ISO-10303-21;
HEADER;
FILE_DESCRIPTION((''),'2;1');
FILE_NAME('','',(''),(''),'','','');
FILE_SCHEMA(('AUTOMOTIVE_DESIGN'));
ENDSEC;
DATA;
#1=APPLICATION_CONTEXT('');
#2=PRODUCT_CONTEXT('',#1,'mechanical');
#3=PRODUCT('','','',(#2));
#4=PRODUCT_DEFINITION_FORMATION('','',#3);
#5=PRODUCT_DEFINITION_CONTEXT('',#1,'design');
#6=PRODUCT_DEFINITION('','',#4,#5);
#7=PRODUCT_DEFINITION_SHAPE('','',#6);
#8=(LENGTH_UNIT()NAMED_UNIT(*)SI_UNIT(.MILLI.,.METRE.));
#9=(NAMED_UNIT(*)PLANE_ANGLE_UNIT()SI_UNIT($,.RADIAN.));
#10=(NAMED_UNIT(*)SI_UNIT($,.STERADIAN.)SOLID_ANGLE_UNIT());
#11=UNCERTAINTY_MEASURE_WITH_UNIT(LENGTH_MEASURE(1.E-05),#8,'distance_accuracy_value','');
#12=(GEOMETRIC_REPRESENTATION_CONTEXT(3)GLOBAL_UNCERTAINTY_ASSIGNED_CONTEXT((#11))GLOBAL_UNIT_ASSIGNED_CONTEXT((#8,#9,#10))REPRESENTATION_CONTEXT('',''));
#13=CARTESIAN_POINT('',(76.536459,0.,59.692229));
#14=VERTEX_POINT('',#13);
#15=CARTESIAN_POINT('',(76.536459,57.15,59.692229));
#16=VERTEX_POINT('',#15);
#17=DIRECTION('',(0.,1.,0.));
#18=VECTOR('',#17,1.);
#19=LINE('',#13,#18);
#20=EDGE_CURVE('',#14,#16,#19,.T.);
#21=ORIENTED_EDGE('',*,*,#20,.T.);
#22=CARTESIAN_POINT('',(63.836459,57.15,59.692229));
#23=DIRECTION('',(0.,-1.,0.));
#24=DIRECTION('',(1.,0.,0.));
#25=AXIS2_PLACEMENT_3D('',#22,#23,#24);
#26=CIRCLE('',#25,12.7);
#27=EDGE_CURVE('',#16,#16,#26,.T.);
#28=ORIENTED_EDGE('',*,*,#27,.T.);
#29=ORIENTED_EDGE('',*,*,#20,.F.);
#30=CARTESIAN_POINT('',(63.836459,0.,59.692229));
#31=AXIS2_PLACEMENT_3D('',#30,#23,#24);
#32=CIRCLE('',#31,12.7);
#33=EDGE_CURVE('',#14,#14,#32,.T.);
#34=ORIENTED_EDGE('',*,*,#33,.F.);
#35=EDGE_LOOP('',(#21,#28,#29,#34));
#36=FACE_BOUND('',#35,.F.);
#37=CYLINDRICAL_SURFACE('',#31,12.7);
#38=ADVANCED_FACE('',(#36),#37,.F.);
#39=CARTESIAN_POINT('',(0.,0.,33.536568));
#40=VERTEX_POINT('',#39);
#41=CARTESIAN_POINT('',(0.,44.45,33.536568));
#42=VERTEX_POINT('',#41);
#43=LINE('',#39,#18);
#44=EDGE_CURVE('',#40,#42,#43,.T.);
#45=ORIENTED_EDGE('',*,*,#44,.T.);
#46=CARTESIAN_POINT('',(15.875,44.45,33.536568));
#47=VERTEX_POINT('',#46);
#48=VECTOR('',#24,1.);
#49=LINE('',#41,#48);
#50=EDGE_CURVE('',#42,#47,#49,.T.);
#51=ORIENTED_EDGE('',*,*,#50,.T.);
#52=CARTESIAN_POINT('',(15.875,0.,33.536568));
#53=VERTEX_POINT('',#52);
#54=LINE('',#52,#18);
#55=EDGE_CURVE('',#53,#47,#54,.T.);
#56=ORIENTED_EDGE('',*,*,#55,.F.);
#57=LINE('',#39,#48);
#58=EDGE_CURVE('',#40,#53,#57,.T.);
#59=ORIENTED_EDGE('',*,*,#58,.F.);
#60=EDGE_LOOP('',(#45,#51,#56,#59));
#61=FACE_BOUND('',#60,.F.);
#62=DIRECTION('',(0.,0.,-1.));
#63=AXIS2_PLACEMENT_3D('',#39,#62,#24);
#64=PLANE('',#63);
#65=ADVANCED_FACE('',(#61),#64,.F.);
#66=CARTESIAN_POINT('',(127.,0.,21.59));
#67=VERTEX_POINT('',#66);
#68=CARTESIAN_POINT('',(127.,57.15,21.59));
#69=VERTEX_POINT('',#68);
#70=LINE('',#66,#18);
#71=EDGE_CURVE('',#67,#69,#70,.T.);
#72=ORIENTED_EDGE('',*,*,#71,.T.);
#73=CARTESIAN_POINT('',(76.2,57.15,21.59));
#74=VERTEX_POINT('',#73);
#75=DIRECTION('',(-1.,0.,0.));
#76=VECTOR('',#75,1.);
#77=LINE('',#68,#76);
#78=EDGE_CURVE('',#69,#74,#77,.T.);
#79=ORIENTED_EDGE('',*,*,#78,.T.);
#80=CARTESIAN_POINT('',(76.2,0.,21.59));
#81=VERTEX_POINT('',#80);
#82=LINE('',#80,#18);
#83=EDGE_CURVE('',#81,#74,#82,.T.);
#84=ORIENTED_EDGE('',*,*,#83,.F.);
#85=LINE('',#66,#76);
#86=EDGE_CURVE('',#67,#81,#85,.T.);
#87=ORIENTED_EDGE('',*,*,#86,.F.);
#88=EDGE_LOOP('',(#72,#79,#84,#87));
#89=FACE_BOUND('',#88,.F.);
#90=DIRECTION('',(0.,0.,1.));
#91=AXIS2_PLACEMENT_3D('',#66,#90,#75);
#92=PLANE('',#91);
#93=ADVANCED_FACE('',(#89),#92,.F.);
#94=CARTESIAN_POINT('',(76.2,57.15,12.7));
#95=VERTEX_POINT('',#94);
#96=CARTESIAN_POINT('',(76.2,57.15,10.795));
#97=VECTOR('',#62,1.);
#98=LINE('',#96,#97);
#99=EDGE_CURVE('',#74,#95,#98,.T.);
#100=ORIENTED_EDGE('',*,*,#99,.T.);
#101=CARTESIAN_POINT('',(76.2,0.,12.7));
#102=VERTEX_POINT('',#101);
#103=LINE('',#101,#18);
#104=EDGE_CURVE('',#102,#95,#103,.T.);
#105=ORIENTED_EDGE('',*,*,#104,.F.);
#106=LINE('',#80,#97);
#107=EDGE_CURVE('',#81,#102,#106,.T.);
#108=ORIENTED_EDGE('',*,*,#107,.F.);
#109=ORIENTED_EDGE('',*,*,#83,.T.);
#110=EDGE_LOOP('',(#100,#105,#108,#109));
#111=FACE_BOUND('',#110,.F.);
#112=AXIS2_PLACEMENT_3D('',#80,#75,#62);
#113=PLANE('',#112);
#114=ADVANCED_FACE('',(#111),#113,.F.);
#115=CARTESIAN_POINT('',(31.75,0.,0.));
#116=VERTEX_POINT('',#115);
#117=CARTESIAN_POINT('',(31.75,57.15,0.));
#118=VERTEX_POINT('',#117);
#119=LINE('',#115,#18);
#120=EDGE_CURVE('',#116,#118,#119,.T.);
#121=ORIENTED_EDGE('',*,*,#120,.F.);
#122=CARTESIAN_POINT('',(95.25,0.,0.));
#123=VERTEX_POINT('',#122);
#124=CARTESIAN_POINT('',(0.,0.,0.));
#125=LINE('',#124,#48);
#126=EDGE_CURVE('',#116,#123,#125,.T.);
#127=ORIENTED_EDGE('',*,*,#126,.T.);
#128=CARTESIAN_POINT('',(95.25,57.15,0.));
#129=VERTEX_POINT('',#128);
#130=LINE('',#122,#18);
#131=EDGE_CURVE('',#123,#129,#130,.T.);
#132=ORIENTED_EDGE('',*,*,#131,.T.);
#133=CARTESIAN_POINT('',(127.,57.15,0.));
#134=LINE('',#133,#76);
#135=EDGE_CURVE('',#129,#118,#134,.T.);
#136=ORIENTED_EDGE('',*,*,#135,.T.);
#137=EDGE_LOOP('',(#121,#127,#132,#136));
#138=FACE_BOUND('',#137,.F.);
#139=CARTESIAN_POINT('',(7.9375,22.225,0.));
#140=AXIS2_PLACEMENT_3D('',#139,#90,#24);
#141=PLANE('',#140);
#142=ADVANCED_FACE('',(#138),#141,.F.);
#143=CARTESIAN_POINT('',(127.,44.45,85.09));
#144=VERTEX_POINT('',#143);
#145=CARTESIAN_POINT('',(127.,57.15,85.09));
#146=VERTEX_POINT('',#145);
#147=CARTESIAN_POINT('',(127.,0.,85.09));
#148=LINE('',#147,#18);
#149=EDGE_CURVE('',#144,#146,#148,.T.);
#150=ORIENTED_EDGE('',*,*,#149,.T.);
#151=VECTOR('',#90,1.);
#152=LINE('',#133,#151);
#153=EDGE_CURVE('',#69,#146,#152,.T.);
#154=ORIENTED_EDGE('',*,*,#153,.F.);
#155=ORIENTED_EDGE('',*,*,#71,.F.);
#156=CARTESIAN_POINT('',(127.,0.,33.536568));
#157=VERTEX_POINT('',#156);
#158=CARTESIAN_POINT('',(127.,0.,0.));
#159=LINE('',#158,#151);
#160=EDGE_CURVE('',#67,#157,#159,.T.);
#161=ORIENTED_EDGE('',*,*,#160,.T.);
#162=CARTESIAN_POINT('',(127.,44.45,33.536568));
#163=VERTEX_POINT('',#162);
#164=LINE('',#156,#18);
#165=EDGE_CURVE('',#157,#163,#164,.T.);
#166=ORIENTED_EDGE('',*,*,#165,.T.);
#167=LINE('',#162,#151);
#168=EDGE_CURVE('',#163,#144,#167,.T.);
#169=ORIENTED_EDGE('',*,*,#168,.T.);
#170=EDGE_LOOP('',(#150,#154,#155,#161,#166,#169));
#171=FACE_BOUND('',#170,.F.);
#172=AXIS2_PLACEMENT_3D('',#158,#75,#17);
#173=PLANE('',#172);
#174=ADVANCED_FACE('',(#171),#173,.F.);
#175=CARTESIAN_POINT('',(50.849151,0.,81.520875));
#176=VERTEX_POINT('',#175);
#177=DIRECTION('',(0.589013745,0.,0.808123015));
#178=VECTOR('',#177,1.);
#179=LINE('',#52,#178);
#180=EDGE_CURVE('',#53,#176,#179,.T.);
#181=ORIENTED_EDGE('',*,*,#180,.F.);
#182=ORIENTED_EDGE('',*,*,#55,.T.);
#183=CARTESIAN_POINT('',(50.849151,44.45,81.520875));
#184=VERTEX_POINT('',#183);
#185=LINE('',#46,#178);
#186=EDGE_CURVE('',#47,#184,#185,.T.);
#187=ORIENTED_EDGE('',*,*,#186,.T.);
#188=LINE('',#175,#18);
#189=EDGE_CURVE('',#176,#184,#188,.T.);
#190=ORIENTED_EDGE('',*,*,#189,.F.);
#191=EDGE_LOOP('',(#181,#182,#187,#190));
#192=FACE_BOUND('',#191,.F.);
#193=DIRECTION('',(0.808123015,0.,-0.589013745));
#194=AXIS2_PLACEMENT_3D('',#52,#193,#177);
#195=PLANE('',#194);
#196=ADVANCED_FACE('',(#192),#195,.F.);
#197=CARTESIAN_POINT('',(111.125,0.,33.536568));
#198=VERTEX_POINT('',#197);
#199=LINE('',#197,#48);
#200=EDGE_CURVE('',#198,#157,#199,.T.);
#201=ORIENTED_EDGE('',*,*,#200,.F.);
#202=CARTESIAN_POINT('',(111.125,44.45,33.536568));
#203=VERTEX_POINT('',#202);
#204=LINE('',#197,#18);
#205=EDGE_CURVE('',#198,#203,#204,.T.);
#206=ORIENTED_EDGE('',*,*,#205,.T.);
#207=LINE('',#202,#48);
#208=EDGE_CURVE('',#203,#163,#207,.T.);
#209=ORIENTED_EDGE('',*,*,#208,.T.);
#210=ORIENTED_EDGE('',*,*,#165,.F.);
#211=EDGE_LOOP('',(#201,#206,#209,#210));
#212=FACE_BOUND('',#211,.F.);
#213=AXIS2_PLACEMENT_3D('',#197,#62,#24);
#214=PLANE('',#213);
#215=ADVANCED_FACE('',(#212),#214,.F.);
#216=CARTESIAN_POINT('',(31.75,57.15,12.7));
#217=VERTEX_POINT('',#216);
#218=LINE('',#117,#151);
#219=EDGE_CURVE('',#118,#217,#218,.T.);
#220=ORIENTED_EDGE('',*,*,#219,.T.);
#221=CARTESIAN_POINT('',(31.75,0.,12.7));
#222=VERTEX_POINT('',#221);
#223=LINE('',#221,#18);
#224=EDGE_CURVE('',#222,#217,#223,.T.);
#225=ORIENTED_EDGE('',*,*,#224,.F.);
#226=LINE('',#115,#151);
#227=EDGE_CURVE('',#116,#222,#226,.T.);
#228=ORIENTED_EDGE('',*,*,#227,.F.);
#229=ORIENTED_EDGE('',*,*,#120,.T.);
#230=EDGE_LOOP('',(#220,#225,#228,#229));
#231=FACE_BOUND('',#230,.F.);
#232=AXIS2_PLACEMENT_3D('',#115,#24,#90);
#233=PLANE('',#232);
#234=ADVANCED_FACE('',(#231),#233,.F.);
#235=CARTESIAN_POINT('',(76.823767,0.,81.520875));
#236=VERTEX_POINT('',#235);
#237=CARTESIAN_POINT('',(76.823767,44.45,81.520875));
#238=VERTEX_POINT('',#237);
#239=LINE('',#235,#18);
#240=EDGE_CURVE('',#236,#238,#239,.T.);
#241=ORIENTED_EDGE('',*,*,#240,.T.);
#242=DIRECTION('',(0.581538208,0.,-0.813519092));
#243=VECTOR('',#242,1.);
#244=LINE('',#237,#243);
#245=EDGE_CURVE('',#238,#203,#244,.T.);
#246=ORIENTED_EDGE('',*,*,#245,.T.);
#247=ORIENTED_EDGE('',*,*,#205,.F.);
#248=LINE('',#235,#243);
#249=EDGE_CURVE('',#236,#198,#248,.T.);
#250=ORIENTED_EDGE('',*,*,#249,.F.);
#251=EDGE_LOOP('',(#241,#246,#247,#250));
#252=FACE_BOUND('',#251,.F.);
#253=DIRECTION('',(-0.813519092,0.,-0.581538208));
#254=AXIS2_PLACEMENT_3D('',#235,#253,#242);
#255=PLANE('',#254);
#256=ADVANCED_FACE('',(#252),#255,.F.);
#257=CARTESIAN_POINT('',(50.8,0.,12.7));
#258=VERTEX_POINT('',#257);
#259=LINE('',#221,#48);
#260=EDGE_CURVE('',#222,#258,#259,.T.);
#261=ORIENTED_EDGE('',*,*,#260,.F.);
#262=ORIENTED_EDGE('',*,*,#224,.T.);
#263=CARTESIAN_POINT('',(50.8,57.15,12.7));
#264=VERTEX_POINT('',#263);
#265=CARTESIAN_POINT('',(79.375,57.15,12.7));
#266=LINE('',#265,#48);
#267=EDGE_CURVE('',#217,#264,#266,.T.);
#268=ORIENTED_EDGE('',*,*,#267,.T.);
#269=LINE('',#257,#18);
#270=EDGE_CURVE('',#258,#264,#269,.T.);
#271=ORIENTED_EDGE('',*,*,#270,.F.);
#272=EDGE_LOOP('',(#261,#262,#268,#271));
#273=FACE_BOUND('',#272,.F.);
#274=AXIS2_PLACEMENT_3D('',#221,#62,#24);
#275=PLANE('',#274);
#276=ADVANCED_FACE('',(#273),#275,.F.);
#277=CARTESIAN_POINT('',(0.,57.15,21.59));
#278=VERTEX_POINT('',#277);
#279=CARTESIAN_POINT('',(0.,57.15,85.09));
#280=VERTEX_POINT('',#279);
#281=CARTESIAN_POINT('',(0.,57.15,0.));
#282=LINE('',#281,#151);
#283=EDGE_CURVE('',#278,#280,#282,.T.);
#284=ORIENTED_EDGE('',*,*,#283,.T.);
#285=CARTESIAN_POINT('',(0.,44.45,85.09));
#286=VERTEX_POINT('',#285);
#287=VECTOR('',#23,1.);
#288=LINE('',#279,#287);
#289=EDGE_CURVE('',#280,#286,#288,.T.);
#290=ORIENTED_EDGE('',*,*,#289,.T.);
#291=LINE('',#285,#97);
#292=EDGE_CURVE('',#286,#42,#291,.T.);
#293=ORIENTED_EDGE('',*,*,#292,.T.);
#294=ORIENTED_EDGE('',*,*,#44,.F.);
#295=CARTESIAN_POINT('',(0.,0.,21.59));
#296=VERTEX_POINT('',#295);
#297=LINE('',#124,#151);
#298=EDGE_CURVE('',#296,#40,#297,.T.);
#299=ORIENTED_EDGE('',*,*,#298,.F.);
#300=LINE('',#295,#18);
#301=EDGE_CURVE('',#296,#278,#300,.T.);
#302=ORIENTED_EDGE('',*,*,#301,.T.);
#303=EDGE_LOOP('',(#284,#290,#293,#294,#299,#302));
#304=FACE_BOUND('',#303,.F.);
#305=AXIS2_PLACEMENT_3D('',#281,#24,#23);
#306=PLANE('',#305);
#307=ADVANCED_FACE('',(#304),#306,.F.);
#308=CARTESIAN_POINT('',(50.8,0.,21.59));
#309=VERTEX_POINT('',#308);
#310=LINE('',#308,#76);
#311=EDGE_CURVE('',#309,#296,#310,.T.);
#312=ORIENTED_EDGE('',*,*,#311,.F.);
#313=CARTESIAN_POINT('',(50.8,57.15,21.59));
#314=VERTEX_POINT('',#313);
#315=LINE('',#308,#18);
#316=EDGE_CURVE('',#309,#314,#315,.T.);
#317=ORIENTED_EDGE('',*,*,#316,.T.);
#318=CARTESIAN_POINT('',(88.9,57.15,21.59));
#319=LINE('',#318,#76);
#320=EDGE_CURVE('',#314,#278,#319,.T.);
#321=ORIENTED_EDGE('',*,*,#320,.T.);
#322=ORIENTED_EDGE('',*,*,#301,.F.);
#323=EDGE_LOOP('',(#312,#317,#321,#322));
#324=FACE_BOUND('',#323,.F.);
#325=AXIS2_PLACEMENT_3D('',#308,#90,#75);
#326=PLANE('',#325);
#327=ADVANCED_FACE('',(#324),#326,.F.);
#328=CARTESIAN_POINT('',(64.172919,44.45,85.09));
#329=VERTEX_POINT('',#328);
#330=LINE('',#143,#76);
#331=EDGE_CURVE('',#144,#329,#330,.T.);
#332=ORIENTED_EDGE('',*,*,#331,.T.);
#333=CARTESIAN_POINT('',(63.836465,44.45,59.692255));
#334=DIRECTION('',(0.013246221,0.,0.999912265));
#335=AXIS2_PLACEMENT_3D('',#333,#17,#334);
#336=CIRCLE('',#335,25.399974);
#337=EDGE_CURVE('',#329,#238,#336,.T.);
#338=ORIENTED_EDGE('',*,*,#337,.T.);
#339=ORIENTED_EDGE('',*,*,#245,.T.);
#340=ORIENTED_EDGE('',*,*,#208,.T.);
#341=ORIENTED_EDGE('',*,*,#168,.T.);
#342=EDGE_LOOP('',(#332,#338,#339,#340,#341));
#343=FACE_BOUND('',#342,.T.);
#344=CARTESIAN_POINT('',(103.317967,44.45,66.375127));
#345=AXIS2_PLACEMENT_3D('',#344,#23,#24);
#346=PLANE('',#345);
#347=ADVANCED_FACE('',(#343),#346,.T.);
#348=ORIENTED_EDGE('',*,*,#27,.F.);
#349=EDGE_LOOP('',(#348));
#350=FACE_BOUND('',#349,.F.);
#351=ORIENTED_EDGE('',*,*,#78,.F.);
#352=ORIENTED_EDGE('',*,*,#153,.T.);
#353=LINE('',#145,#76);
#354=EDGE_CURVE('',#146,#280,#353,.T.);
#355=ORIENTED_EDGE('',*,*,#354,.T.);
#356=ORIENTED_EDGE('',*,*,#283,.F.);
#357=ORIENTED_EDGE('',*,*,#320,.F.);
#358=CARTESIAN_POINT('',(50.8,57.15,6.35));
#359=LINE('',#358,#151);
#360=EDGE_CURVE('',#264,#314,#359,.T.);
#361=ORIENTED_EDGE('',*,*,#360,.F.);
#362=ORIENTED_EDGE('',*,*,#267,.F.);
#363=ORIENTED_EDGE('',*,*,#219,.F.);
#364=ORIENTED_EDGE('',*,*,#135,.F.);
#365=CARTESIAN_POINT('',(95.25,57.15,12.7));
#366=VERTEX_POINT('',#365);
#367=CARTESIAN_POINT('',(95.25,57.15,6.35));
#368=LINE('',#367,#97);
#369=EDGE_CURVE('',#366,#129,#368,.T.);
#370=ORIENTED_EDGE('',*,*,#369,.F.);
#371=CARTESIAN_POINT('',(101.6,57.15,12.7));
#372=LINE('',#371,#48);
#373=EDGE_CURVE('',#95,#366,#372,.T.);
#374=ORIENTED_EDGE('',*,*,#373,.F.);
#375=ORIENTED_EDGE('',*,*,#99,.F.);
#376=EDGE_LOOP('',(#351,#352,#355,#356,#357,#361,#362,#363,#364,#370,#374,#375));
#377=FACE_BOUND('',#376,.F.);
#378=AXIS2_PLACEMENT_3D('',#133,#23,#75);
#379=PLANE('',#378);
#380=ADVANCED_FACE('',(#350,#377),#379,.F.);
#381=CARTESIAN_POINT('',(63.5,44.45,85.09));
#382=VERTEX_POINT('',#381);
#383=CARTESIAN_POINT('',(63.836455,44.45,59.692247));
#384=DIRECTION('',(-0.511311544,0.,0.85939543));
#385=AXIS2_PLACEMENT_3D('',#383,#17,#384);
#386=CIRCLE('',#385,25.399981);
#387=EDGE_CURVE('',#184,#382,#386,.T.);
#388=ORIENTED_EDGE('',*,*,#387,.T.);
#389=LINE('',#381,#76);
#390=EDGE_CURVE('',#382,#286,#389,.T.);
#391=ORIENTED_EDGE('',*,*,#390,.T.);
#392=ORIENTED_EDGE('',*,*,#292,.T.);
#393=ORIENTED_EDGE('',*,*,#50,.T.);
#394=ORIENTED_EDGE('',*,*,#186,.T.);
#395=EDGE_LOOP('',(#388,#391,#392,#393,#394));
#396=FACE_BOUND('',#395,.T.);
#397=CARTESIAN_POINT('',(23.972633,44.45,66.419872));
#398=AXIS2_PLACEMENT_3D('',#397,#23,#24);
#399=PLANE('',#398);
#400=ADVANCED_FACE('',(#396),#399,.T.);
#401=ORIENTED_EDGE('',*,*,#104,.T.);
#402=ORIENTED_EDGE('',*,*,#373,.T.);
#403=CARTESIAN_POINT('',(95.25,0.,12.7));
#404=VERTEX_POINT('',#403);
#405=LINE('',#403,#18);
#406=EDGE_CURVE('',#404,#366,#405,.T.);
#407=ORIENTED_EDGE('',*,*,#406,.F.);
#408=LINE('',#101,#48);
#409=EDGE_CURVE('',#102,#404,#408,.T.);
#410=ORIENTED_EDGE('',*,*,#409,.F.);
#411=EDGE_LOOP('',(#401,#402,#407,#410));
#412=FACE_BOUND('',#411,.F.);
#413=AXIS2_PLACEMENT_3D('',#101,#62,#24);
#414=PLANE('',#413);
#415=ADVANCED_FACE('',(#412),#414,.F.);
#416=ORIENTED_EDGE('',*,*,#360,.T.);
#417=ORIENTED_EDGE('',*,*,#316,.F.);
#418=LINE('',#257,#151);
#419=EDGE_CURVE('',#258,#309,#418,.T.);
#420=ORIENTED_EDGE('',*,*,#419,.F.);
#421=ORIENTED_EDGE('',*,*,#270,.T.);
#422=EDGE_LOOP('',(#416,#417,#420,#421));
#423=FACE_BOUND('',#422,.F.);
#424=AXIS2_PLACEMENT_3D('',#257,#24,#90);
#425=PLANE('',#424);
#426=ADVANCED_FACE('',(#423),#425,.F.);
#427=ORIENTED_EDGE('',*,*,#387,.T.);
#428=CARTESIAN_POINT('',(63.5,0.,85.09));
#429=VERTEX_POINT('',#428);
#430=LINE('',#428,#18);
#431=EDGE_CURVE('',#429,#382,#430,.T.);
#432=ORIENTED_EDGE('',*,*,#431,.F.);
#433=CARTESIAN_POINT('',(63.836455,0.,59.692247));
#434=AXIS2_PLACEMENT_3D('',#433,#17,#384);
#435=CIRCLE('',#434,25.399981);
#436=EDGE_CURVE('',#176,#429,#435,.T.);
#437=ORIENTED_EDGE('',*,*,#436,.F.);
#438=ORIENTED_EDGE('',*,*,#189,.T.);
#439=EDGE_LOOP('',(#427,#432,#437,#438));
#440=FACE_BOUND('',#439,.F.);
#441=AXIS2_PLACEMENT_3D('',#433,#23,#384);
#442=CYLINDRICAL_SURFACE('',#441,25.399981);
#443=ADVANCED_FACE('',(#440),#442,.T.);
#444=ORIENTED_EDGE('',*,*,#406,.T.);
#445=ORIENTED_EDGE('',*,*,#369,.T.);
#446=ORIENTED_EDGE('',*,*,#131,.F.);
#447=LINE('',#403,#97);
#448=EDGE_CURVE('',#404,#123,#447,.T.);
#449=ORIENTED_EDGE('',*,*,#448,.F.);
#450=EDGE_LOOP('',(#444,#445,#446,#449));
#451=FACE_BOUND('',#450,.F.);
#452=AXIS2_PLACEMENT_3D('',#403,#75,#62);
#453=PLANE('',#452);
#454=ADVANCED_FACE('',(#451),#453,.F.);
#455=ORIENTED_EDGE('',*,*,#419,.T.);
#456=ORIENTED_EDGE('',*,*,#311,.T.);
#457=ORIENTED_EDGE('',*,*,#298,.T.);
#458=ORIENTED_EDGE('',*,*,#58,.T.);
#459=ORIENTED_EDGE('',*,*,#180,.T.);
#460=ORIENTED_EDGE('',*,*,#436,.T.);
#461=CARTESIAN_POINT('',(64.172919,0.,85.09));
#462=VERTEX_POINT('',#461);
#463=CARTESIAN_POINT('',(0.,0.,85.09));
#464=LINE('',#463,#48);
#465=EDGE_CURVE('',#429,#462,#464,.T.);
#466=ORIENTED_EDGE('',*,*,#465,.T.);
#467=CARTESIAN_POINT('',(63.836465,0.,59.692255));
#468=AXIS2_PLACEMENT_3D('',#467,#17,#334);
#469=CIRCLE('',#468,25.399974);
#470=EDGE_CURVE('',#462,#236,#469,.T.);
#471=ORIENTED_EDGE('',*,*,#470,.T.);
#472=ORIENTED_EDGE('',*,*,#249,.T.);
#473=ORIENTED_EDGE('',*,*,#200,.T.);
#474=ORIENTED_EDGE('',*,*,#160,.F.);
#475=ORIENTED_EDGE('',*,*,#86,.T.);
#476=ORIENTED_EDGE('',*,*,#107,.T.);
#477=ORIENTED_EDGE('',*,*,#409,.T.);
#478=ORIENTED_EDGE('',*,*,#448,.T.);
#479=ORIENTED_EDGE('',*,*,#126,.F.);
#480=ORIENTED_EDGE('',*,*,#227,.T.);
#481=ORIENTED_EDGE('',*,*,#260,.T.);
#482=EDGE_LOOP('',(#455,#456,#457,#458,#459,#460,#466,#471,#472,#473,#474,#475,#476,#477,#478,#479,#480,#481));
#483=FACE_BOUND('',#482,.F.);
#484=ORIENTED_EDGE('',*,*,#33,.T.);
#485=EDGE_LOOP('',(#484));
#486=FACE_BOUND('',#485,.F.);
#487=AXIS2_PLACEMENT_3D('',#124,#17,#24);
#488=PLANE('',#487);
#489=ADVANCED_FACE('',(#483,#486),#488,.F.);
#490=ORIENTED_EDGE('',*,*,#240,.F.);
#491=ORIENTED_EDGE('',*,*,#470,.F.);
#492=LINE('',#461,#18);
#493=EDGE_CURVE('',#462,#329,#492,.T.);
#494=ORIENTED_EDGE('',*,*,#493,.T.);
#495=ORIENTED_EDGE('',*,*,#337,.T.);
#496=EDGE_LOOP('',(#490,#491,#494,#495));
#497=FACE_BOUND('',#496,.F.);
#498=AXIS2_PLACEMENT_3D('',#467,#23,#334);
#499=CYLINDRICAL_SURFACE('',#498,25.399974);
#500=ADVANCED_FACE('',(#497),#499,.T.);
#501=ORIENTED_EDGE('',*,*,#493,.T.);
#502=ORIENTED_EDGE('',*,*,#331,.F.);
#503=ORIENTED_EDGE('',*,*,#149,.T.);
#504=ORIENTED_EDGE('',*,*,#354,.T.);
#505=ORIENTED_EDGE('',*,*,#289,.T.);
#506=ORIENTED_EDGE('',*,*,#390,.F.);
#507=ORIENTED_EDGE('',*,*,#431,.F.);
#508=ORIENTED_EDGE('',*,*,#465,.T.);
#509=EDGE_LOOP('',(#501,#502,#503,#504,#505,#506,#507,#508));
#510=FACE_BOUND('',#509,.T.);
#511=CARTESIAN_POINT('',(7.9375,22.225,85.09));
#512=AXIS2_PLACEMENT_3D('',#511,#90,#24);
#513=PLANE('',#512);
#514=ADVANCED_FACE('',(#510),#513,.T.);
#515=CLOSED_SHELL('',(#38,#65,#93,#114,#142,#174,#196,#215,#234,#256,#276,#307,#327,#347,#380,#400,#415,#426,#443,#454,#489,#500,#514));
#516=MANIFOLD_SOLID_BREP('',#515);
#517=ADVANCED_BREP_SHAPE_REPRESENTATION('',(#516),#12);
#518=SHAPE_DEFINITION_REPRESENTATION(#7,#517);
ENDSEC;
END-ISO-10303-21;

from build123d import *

# Parameters (mm, degrees)
F0_W     = 15.875
F0_H     = 44.45
F0_W_2   = 95.25
F1_DEPTH = 85.09
F3_DEPTH = 44.45
F2_R     = 12.7
F4_DEPTH = 57.151


with BuildPart() as f1:
    # F0 (on Top) → F1 (new body)
    with BuildSketch(Plane.XY):
        with Locations((7.9375, 22.225)):
            Rectangle(F0_W, F0_H)
        with Locations((63.5, 22.225)):
            Rectangle(F0_W_2, F0_H)
        Polygon((0, 57.15), (0, 44.45), (15.875, 44.45), (111.125, 44.45), (127, 44.45), (127, 57.15), align=None)
        with Locations((119.0625, 22.225)):
            Rectangle(F0_W, F0_H)
    extrude(amount=F1_DEPTH)

    # F2 (on face) → F3 (cut)
    with BuildSketch(Plane.XZ):
        with BuildLine():
            Line((63.5, 85.09), (0, 85.09))
            Line((0, 85.09), (0, 33.536568))
            Line((0, 33.536568), (15.875, 33.536568))
            Line((15.875, 33.536568), (50.849151, 81.520875))
            ThreePointArc((50.849151, 81.520875), (56.939695, 84.137978), (63.5, 85.09))
        make_face()
        with BuildLine():
            Line((127, 85.09), (64.172919, 85.09))
            ThreePointArc((64.172919, 85.09), (70.733224, 84.137978), (76.823767, 81.520875))
            Line((76.823767, 81.520875), (111.125, 33.536568))
            Line((111.125, 33.536568), (127, 33.536568))
            Line((127, 33.536568), (127, 85.09))
        make_face()
    extrude(amount=-F3_DEPTH, mode=Mode.SUBTRACT)

    # F2 (on face) → F4 (cut, through all)
    with BuildSketch(Plane.XZ):
        Polygon((127, 0), (127, 21.59), (76.2, 21.59), (76.2, 12.7), (95.25, 12.7), (95.25, 0), align=None)
        Polygon((50.8, 21.59), (0, 21.59), (0, 0), (31.75, 0), (31.75, 12.7), (50.8, 12.7), align=None)
        with Locations((63.836459, 59.692229)):
            Circle(F2_R)
    extrude(amount=-F4_DEPTH, mode=Mode.SUBTRACT)


solid = f1.part
